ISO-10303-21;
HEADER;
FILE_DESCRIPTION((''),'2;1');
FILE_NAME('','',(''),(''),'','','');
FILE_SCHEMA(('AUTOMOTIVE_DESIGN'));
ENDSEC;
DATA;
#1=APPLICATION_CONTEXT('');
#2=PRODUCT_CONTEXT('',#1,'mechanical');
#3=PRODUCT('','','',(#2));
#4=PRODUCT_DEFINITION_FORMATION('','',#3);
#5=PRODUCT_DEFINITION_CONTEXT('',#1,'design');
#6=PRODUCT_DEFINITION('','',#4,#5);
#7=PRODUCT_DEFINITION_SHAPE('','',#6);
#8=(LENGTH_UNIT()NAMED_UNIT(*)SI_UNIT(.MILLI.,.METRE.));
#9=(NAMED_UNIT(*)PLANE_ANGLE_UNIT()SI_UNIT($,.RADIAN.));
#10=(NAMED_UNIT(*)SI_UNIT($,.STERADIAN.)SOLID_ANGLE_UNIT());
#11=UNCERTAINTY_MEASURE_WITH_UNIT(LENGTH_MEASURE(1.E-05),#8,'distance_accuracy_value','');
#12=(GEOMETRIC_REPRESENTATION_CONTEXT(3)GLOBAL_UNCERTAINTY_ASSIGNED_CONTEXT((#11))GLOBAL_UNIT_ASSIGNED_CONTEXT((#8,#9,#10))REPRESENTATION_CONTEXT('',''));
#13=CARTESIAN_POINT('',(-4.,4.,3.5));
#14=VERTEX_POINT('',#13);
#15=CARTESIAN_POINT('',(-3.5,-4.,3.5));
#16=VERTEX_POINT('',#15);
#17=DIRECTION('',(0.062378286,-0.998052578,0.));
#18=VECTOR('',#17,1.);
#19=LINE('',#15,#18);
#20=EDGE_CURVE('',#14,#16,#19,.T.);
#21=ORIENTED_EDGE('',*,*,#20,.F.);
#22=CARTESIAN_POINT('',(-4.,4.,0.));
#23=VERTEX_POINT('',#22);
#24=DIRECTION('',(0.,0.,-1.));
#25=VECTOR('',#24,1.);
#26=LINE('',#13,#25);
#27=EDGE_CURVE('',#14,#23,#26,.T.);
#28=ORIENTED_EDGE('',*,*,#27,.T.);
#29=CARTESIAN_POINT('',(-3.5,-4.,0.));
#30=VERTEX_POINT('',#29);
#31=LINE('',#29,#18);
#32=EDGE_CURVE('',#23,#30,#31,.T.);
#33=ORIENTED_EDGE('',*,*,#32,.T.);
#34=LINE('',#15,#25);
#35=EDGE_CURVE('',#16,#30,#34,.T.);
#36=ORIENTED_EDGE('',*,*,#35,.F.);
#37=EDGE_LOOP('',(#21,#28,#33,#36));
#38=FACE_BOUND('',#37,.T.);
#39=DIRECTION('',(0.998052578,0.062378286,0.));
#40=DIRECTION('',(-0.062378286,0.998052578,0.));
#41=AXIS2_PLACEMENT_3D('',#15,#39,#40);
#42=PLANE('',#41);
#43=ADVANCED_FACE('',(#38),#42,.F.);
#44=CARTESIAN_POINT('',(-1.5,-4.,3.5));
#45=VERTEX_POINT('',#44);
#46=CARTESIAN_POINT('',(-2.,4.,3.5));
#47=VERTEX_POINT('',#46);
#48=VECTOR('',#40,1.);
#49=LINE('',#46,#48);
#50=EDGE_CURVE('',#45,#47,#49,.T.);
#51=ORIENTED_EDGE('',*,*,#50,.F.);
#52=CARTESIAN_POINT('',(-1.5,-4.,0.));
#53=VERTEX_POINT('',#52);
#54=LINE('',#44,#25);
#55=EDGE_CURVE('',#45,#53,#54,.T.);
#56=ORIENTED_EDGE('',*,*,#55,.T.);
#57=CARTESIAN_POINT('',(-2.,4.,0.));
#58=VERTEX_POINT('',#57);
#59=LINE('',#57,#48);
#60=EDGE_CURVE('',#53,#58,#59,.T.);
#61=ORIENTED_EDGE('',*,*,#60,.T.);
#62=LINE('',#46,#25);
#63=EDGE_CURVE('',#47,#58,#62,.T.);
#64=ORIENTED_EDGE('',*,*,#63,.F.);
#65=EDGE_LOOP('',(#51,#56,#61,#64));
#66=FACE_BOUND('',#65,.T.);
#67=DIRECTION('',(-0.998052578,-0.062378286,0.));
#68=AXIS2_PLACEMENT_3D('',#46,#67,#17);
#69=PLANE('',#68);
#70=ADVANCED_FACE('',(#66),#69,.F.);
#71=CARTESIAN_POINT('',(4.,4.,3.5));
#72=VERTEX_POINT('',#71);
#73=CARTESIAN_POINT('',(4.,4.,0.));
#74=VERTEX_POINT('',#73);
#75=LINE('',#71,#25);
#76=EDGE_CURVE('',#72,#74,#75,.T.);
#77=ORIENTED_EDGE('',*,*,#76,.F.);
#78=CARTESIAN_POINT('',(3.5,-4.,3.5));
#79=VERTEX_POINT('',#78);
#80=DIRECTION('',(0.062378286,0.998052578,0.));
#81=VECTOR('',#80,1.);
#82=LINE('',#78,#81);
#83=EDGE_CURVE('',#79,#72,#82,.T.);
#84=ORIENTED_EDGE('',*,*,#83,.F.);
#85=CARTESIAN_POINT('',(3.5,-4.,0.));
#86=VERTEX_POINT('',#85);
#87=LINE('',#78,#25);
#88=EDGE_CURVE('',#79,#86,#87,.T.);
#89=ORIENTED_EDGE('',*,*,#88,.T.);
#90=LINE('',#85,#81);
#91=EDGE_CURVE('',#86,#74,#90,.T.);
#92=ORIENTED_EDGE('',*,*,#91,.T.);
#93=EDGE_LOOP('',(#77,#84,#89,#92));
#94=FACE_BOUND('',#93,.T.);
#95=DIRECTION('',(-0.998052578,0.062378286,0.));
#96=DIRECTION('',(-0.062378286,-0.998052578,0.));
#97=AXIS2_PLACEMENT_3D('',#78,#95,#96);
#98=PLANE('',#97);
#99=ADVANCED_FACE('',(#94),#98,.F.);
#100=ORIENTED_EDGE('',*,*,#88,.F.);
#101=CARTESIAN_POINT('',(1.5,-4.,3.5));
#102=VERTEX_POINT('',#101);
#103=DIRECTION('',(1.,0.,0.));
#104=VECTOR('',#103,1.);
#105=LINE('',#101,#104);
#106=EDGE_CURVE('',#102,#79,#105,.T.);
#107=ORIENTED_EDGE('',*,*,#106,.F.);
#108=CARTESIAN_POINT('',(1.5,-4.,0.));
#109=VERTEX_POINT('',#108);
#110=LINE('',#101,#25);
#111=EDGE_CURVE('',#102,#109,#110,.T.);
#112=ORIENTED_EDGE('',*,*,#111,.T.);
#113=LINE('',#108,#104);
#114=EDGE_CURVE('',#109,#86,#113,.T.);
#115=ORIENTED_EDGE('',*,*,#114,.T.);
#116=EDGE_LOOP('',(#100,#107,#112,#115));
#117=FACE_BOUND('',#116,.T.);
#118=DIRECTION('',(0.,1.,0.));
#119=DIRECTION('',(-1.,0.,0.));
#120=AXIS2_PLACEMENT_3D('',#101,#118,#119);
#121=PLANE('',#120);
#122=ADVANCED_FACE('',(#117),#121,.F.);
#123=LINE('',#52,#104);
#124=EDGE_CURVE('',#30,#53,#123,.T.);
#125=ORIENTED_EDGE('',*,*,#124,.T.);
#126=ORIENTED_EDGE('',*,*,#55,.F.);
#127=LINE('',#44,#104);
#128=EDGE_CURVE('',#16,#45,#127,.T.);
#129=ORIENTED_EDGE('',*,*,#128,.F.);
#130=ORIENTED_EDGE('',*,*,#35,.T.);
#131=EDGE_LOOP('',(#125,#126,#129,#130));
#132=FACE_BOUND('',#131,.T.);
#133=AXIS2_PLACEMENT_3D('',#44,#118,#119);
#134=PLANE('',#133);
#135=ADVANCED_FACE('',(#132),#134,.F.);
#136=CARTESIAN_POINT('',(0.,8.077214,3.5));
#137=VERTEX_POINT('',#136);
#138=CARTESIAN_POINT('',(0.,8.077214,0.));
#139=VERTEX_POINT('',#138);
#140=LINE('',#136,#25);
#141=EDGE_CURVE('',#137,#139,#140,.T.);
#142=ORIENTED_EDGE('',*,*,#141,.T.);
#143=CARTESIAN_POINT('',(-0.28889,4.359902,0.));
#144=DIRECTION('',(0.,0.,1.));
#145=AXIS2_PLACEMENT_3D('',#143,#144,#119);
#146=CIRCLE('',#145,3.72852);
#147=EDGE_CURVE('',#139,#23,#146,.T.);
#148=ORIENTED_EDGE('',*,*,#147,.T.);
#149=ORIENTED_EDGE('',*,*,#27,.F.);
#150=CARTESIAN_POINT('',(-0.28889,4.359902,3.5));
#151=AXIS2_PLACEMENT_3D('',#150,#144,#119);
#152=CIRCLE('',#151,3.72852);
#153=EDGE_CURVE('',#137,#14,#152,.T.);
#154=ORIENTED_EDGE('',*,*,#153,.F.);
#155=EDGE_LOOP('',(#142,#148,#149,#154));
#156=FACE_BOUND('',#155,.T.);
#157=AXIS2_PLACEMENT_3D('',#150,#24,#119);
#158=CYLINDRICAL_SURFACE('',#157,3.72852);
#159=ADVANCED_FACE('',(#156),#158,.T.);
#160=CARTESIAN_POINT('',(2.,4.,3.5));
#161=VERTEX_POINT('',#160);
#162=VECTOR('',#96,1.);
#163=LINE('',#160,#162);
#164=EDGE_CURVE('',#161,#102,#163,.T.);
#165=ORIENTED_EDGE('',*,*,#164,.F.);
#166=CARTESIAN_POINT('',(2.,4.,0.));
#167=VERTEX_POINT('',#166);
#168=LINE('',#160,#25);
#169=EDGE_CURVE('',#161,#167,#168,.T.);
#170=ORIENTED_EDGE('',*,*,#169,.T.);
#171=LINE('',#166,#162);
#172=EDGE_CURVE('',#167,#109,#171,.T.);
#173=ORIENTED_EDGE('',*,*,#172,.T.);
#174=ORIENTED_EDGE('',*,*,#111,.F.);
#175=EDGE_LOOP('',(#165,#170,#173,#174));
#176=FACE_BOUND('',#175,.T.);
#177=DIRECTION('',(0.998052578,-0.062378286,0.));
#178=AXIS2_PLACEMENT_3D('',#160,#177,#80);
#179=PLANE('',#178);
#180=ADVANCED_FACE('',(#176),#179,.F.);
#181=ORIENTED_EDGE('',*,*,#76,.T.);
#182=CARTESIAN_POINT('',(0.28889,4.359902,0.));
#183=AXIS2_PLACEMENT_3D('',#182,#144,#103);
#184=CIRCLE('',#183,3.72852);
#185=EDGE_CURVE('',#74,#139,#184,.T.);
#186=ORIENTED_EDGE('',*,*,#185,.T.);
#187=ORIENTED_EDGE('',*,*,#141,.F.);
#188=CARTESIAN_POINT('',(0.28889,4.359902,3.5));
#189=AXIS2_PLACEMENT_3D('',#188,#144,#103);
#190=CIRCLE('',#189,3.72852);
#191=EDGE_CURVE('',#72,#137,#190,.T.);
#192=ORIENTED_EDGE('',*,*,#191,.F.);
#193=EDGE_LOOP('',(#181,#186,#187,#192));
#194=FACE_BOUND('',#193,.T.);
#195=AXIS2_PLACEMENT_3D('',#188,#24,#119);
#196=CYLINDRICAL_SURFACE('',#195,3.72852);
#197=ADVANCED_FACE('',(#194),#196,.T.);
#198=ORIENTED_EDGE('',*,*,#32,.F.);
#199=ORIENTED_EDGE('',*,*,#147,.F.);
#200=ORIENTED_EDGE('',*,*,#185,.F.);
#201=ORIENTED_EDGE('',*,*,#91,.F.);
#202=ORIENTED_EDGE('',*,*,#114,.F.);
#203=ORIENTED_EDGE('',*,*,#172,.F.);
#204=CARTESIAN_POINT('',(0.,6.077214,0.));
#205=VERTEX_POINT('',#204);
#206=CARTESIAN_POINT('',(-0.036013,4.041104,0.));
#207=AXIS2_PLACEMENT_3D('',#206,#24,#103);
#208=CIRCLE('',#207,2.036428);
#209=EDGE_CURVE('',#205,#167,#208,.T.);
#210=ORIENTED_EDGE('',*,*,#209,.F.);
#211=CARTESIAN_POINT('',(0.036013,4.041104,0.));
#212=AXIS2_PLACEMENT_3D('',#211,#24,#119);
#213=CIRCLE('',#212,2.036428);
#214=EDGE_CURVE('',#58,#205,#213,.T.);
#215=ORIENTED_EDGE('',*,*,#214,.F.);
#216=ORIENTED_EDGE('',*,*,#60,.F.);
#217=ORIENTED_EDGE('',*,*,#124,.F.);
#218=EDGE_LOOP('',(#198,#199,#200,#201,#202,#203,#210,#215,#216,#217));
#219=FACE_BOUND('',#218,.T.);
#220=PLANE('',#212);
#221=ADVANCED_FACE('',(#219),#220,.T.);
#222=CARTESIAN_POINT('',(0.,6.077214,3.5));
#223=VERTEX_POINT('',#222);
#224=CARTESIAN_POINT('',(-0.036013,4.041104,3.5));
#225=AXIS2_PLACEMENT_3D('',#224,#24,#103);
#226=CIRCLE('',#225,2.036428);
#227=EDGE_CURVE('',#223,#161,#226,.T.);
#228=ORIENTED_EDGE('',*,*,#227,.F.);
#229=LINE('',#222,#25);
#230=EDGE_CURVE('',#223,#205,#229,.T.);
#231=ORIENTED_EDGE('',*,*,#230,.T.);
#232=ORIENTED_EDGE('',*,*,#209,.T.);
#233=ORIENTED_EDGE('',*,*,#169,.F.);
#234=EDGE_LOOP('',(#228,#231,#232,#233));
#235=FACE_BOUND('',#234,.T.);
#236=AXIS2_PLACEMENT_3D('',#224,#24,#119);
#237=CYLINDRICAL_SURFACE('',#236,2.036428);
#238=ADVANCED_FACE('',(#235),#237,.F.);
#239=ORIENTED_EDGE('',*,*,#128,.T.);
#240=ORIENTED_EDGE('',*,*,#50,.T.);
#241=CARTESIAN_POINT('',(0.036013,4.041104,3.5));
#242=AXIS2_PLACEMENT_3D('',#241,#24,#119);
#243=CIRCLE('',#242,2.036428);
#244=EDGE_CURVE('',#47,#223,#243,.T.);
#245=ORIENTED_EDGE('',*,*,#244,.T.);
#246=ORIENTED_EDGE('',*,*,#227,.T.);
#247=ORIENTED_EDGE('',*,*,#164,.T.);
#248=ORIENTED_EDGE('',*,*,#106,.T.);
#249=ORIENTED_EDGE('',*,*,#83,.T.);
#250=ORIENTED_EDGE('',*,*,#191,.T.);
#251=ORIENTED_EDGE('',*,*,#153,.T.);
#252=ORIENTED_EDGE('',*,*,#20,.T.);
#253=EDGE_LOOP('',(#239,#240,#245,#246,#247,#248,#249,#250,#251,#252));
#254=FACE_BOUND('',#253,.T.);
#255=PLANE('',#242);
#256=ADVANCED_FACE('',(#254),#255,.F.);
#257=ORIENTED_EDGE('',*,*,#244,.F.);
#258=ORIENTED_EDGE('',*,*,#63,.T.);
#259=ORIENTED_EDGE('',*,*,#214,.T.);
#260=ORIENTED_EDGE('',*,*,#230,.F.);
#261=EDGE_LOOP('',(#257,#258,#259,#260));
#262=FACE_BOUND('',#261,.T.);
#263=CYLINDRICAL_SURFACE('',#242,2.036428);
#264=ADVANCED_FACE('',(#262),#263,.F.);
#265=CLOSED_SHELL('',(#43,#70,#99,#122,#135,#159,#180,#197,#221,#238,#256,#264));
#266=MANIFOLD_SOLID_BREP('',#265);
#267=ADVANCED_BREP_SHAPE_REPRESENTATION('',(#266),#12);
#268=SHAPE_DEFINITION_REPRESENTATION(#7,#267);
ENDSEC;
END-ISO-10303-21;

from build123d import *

# Parameters (mm, degrees)
BOSS_EXTRUDE1_DEPTH = 3.5


with BuildPart() as part:
    # Sketch1 → Boss-Extrude1 (new body)
    with BuildSketch(Plane.XY):
        with BuildLine():
            Line((-2, 4), (-1.5, -4))
            Line((-1.5, -4), (-3.5, -4))
            Line((-3.5, -4), (-4, 4))
            ThreePointArc((-4, 4), (-2.950434096, 6.97104187), (0, 8.077214108))
            ThreePointArc((0, 8.077214108), (2.950434096, 6.97104187), (4, 4))
            Line((4, 4), (3.5, -4))
            Line((3.5, -4), (1.5, -4))
            Line((1.5, -4), (2, 4))
            ThreePointArc((2, 4), (1.430965913, 5.453553122), (0, 6.077214108))
            ThreePointArc((0, 6.077214108), (-1.430965913, 5.453553122), (-2, 4))
        make_face()
    extrude(amount=BOSS_EXTRUDE1_DEPTH)


solid = part.part
